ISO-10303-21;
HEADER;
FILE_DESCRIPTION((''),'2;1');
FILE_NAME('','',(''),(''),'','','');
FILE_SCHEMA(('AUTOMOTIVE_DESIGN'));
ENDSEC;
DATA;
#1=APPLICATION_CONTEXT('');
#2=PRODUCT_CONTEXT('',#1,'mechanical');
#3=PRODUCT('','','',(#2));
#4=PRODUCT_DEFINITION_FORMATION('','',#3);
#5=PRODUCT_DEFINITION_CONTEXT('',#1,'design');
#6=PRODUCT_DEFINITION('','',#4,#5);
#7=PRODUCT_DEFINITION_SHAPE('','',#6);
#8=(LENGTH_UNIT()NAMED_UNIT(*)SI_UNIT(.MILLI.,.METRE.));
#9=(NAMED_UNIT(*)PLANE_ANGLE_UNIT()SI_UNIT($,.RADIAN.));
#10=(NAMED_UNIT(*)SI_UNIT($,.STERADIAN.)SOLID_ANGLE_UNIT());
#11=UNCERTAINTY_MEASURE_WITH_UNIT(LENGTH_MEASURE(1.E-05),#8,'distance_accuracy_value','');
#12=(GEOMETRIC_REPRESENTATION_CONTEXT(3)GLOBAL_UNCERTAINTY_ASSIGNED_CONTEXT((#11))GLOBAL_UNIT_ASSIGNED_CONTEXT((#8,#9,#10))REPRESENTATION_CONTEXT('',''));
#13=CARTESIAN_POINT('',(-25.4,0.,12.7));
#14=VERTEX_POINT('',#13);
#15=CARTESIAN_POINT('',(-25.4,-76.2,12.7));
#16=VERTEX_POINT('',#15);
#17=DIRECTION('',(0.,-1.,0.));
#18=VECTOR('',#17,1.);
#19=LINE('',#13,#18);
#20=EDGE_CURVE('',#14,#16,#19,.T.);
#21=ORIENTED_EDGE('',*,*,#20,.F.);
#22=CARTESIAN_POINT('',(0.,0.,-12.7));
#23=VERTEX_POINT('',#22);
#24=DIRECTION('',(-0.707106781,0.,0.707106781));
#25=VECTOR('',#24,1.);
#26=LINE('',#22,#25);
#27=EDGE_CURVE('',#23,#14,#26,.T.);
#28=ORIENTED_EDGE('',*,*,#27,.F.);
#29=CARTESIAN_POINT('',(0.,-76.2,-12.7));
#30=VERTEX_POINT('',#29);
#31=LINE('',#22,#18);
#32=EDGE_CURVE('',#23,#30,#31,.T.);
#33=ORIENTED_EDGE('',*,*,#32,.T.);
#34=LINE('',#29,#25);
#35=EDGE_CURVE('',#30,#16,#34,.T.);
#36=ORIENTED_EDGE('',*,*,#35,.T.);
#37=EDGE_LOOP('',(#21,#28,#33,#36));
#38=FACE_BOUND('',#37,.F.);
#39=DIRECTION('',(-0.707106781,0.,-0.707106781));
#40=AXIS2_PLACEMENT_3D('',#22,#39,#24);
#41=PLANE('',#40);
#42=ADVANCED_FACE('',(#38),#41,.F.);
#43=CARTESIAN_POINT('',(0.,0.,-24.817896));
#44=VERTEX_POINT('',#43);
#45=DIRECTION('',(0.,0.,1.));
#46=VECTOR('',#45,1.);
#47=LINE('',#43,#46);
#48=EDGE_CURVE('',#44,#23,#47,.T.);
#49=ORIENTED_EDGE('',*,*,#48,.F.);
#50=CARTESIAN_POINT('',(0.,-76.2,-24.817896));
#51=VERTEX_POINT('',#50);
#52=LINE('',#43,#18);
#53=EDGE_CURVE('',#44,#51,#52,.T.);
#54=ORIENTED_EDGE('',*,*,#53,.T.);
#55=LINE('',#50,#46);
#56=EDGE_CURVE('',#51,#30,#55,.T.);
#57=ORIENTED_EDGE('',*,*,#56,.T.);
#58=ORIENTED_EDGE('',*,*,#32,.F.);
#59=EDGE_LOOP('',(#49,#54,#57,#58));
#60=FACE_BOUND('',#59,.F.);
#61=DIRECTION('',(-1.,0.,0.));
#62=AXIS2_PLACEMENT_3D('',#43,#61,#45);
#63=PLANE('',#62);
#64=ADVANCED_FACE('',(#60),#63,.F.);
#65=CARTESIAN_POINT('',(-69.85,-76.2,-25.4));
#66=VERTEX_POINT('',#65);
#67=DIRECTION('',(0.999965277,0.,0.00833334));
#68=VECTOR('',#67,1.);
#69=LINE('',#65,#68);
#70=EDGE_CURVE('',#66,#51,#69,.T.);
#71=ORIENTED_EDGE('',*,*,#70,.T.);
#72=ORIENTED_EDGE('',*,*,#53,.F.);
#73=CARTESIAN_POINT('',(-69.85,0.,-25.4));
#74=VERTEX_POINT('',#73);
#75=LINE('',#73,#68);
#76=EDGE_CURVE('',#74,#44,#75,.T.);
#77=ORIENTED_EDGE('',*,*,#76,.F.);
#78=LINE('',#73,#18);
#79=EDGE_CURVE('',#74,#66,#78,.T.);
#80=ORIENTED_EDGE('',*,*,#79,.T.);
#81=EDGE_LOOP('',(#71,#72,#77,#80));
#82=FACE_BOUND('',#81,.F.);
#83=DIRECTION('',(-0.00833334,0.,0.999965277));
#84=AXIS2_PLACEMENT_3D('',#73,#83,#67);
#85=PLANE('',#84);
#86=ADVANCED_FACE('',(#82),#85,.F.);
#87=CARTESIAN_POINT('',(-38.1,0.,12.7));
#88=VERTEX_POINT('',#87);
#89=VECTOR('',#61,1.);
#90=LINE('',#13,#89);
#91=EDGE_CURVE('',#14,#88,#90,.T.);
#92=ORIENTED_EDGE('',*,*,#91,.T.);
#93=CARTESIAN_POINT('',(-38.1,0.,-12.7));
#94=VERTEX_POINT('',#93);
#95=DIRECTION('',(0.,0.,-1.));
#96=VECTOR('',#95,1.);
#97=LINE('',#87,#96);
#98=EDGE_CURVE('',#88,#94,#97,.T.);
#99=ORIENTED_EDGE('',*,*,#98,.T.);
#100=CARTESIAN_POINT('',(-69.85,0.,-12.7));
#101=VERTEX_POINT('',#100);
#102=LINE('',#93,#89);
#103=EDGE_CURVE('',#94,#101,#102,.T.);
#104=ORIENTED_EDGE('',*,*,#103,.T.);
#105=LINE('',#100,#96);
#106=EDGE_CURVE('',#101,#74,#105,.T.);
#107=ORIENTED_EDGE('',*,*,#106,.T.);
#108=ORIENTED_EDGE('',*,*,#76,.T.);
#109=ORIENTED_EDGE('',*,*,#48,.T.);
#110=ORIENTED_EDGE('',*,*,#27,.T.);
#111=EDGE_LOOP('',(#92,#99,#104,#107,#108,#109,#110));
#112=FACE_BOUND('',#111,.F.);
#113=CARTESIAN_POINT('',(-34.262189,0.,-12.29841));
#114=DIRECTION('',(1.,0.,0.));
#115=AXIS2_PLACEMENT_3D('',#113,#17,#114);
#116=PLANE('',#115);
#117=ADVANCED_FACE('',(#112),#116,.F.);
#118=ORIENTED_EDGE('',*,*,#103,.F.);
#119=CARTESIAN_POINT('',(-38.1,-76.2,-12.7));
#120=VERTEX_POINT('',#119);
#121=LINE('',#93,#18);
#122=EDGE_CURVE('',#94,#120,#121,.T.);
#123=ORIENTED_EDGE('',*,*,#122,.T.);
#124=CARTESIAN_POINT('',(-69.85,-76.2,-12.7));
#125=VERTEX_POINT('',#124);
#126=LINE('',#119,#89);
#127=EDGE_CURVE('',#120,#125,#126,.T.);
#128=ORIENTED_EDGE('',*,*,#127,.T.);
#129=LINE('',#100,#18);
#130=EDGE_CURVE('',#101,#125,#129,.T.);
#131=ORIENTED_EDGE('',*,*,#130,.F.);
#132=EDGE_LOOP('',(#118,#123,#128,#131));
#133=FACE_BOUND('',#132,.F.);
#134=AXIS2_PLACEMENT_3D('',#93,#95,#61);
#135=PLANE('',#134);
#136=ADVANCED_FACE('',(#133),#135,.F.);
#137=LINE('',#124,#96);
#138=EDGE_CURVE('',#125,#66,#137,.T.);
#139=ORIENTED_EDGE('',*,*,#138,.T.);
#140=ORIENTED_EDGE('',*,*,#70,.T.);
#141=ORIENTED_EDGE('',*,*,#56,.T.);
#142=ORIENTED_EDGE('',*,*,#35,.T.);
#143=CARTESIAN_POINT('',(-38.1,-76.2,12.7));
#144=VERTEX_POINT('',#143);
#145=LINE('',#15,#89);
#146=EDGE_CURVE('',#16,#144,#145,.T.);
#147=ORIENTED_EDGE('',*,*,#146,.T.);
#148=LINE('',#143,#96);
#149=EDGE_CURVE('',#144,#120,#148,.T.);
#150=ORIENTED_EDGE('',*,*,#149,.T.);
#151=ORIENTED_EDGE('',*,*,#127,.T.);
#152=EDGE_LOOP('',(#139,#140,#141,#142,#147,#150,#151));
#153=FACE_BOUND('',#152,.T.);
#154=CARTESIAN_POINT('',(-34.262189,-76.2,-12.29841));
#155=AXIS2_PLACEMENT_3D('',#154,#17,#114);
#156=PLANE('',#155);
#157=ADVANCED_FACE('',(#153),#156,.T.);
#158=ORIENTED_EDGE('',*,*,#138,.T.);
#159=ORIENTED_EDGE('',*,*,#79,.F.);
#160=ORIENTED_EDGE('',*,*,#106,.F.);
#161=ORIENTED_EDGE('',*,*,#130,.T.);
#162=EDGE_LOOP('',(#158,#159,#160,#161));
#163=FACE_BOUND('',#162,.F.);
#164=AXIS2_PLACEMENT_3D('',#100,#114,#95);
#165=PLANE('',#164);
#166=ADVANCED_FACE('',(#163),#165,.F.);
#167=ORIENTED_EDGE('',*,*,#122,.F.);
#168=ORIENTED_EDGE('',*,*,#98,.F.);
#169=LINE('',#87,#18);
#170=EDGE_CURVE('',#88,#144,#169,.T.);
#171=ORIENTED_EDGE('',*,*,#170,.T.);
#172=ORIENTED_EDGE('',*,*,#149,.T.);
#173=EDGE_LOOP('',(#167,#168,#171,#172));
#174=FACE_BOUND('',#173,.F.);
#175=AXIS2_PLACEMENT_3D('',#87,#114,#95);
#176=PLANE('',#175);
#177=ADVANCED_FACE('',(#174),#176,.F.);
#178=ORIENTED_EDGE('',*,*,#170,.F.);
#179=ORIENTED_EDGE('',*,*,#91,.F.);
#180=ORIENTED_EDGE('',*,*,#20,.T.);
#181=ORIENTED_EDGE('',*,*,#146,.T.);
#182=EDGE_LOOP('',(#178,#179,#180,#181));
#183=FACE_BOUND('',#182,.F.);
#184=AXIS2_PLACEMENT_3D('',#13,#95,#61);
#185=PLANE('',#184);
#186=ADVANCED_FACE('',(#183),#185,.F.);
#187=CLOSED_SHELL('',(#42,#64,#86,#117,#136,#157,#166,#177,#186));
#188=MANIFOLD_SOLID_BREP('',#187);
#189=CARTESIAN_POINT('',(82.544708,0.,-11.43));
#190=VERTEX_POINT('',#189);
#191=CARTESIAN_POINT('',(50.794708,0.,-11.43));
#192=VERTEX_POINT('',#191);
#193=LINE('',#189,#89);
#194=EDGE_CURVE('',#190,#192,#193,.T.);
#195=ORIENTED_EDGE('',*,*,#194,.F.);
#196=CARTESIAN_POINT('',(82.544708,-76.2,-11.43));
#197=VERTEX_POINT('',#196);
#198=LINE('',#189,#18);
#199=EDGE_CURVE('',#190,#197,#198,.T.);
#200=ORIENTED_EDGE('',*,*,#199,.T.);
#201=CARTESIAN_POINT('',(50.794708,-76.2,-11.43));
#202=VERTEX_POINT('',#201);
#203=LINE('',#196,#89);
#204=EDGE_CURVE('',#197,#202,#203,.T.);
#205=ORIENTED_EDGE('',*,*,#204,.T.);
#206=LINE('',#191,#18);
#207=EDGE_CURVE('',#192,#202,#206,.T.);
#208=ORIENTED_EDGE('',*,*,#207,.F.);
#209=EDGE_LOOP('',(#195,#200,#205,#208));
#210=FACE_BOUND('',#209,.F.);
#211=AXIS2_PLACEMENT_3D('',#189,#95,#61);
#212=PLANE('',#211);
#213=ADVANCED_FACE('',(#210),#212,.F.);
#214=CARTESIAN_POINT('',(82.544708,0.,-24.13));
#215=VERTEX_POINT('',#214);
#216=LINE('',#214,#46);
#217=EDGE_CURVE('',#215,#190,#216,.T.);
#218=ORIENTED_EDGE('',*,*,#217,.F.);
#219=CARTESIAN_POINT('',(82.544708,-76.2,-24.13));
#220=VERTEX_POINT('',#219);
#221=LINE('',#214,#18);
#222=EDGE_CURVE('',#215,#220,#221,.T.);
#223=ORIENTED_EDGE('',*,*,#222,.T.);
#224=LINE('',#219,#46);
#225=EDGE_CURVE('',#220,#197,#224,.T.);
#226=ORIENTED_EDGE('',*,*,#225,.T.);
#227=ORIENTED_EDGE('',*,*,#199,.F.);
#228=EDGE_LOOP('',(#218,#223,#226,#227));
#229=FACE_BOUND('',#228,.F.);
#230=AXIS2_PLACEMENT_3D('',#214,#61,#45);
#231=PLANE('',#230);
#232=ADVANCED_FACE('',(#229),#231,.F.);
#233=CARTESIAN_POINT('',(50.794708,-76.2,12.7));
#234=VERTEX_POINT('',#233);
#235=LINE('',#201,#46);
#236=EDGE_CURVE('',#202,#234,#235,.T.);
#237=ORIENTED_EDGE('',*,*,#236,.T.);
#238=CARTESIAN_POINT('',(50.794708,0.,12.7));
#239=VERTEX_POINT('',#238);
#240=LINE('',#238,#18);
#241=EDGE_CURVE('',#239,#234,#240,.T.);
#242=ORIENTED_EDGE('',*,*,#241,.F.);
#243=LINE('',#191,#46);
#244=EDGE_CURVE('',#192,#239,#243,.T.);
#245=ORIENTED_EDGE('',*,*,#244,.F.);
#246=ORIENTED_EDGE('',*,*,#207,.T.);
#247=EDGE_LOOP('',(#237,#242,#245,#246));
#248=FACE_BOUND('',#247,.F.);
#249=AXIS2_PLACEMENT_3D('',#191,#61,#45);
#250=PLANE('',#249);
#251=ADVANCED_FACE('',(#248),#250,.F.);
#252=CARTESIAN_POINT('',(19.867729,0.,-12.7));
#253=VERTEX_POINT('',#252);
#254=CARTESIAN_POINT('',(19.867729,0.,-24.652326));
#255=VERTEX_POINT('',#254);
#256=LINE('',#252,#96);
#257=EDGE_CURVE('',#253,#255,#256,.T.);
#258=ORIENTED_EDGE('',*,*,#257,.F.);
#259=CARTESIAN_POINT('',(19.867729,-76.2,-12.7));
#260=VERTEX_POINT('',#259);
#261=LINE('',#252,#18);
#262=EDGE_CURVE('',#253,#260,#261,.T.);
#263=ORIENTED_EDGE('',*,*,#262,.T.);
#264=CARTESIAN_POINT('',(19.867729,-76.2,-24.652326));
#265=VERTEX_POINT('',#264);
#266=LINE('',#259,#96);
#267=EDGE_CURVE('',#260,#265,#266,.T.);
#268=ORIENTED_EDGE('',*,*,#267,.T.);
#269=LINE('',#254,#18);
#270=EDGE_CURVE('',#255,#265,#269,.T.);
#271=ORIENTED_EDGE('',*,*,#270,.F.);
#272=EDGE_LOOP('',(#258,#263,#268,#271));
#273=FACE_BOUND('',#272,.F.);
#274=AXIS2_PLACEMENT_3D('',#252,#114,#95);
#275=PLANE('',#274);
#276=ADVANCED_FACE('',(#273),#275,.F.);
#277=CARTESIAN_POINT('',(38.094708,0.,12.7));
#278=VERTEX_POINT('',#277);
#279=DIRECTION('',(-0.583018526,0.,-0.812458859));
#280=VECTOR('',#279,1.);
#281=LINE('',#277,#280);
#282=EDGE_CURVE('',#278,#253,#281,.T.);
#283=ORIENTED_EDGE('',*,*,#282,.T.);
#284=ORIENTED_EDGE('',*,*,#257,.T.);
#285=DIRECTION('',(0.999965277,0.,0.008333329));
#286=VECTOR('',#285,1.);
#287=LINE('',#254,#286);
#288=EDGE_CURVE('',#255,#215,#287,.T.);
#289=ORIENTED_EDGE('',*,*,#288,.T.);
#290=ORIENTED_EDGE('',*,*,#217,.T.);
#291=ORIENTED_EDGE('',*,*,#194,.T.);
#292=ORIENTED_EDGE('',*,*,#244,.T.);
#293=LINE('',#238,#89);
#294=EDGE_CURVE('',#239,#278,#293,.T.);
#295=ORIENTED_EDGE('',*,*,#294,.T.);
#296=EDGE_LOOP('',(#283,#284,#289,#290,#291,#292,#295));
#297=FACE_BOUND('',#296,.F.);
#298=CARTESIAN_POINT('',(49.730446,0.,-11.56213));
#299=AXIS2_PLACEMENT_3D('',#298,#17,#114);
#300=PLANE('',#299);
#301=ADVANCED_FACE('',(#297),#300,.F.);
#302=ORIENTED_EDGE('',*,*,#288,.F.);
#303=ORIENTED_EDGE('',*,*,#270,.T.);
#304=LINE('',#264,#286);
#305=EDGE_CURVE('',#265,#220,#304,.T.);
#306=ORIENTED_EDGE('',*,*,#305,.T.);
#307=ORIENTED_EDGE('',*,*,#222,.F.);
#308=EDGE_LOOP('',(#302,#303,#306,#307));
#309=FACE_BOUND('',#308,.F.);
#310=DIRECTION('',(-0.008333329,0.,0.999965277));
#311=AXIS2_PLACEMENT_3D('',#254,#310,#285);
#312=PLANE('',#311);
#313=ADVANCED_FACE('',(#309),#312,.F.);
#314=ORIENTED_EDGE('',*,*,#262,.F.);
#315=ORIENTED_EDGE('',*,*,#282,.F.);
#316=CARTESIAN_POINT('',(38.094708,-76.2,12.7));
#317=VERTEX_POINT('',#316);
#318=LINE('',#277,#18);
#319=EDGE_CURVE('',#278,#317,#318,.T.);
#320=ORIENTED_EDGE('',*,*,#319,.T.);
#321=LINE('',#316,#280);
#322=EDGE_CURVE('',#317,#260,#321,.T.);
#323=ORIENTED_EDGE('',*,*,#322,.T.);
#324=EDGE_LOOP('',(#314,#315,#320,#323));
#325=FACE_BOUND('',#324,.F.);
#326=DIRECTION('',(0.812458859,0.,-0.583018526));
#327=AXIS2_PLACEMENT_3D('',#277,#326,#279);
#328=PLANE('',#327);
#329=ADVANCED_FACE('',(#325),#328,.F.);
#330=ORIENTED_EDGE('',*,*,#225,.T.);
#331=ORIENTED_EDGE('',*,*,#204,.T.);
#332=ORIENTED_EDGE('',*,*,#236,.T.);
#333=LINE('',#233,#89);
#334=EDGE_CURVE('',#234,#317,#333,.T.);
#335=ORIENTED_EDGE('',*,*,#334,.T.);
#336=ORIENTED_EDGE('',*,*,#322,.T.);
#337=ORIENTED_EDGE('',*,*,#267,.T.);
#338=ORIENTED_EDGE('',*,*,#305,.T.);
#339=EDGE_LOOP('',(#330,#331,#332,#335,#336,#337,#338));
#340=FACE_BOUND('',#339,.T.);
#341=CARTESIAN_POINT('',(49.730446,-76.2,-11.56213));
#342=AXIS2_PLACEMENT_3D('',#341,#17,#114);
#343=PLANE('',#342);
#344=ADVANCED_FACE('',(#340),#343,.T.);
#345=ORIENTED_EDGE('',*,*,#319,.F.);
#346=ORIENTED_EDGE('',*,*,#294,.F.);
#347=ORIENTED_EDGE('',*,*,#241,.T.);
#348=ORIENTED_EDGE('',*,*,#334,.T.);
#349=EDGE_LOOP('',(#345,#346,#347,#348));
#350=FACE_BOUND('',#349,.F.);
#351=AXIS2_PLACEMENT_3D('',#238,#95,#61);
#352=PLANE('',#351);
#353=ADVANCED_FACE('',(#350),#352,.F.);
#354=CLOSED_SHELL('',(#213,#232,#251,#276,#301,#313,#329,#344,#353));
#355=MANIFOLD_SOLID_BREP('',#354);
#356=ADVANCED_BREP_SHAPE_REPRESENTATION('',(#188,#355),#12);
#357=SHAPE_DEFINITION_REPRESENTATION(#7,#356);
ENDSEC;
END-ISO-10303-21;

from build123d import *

# Parameters (mm, degrees)
F1_DEPTH = 76.2


with BuildPart() as f1:
    # F0 (on Front) → F1 (new body)
    with BuildSketch(Plane.XZ):
        Polygon((19.867729, -12.7), (19.867729, -24.652326), (82.544708, -24.13), (82.544708, -11.43), (50.794708, -11.43), (50.794708, 12.7), (38.094708, 12.7), align=None)
        Polygon((-69.85, -12.7), (-69.85, -25.4), (0, -24.817896), (0, -12.7), (-25.4, 12.7), (-38.1, 12.7), (-38.1, -12.7), align=None)
    extrude(amount=F1_DEPTH)


solid = f1.part
